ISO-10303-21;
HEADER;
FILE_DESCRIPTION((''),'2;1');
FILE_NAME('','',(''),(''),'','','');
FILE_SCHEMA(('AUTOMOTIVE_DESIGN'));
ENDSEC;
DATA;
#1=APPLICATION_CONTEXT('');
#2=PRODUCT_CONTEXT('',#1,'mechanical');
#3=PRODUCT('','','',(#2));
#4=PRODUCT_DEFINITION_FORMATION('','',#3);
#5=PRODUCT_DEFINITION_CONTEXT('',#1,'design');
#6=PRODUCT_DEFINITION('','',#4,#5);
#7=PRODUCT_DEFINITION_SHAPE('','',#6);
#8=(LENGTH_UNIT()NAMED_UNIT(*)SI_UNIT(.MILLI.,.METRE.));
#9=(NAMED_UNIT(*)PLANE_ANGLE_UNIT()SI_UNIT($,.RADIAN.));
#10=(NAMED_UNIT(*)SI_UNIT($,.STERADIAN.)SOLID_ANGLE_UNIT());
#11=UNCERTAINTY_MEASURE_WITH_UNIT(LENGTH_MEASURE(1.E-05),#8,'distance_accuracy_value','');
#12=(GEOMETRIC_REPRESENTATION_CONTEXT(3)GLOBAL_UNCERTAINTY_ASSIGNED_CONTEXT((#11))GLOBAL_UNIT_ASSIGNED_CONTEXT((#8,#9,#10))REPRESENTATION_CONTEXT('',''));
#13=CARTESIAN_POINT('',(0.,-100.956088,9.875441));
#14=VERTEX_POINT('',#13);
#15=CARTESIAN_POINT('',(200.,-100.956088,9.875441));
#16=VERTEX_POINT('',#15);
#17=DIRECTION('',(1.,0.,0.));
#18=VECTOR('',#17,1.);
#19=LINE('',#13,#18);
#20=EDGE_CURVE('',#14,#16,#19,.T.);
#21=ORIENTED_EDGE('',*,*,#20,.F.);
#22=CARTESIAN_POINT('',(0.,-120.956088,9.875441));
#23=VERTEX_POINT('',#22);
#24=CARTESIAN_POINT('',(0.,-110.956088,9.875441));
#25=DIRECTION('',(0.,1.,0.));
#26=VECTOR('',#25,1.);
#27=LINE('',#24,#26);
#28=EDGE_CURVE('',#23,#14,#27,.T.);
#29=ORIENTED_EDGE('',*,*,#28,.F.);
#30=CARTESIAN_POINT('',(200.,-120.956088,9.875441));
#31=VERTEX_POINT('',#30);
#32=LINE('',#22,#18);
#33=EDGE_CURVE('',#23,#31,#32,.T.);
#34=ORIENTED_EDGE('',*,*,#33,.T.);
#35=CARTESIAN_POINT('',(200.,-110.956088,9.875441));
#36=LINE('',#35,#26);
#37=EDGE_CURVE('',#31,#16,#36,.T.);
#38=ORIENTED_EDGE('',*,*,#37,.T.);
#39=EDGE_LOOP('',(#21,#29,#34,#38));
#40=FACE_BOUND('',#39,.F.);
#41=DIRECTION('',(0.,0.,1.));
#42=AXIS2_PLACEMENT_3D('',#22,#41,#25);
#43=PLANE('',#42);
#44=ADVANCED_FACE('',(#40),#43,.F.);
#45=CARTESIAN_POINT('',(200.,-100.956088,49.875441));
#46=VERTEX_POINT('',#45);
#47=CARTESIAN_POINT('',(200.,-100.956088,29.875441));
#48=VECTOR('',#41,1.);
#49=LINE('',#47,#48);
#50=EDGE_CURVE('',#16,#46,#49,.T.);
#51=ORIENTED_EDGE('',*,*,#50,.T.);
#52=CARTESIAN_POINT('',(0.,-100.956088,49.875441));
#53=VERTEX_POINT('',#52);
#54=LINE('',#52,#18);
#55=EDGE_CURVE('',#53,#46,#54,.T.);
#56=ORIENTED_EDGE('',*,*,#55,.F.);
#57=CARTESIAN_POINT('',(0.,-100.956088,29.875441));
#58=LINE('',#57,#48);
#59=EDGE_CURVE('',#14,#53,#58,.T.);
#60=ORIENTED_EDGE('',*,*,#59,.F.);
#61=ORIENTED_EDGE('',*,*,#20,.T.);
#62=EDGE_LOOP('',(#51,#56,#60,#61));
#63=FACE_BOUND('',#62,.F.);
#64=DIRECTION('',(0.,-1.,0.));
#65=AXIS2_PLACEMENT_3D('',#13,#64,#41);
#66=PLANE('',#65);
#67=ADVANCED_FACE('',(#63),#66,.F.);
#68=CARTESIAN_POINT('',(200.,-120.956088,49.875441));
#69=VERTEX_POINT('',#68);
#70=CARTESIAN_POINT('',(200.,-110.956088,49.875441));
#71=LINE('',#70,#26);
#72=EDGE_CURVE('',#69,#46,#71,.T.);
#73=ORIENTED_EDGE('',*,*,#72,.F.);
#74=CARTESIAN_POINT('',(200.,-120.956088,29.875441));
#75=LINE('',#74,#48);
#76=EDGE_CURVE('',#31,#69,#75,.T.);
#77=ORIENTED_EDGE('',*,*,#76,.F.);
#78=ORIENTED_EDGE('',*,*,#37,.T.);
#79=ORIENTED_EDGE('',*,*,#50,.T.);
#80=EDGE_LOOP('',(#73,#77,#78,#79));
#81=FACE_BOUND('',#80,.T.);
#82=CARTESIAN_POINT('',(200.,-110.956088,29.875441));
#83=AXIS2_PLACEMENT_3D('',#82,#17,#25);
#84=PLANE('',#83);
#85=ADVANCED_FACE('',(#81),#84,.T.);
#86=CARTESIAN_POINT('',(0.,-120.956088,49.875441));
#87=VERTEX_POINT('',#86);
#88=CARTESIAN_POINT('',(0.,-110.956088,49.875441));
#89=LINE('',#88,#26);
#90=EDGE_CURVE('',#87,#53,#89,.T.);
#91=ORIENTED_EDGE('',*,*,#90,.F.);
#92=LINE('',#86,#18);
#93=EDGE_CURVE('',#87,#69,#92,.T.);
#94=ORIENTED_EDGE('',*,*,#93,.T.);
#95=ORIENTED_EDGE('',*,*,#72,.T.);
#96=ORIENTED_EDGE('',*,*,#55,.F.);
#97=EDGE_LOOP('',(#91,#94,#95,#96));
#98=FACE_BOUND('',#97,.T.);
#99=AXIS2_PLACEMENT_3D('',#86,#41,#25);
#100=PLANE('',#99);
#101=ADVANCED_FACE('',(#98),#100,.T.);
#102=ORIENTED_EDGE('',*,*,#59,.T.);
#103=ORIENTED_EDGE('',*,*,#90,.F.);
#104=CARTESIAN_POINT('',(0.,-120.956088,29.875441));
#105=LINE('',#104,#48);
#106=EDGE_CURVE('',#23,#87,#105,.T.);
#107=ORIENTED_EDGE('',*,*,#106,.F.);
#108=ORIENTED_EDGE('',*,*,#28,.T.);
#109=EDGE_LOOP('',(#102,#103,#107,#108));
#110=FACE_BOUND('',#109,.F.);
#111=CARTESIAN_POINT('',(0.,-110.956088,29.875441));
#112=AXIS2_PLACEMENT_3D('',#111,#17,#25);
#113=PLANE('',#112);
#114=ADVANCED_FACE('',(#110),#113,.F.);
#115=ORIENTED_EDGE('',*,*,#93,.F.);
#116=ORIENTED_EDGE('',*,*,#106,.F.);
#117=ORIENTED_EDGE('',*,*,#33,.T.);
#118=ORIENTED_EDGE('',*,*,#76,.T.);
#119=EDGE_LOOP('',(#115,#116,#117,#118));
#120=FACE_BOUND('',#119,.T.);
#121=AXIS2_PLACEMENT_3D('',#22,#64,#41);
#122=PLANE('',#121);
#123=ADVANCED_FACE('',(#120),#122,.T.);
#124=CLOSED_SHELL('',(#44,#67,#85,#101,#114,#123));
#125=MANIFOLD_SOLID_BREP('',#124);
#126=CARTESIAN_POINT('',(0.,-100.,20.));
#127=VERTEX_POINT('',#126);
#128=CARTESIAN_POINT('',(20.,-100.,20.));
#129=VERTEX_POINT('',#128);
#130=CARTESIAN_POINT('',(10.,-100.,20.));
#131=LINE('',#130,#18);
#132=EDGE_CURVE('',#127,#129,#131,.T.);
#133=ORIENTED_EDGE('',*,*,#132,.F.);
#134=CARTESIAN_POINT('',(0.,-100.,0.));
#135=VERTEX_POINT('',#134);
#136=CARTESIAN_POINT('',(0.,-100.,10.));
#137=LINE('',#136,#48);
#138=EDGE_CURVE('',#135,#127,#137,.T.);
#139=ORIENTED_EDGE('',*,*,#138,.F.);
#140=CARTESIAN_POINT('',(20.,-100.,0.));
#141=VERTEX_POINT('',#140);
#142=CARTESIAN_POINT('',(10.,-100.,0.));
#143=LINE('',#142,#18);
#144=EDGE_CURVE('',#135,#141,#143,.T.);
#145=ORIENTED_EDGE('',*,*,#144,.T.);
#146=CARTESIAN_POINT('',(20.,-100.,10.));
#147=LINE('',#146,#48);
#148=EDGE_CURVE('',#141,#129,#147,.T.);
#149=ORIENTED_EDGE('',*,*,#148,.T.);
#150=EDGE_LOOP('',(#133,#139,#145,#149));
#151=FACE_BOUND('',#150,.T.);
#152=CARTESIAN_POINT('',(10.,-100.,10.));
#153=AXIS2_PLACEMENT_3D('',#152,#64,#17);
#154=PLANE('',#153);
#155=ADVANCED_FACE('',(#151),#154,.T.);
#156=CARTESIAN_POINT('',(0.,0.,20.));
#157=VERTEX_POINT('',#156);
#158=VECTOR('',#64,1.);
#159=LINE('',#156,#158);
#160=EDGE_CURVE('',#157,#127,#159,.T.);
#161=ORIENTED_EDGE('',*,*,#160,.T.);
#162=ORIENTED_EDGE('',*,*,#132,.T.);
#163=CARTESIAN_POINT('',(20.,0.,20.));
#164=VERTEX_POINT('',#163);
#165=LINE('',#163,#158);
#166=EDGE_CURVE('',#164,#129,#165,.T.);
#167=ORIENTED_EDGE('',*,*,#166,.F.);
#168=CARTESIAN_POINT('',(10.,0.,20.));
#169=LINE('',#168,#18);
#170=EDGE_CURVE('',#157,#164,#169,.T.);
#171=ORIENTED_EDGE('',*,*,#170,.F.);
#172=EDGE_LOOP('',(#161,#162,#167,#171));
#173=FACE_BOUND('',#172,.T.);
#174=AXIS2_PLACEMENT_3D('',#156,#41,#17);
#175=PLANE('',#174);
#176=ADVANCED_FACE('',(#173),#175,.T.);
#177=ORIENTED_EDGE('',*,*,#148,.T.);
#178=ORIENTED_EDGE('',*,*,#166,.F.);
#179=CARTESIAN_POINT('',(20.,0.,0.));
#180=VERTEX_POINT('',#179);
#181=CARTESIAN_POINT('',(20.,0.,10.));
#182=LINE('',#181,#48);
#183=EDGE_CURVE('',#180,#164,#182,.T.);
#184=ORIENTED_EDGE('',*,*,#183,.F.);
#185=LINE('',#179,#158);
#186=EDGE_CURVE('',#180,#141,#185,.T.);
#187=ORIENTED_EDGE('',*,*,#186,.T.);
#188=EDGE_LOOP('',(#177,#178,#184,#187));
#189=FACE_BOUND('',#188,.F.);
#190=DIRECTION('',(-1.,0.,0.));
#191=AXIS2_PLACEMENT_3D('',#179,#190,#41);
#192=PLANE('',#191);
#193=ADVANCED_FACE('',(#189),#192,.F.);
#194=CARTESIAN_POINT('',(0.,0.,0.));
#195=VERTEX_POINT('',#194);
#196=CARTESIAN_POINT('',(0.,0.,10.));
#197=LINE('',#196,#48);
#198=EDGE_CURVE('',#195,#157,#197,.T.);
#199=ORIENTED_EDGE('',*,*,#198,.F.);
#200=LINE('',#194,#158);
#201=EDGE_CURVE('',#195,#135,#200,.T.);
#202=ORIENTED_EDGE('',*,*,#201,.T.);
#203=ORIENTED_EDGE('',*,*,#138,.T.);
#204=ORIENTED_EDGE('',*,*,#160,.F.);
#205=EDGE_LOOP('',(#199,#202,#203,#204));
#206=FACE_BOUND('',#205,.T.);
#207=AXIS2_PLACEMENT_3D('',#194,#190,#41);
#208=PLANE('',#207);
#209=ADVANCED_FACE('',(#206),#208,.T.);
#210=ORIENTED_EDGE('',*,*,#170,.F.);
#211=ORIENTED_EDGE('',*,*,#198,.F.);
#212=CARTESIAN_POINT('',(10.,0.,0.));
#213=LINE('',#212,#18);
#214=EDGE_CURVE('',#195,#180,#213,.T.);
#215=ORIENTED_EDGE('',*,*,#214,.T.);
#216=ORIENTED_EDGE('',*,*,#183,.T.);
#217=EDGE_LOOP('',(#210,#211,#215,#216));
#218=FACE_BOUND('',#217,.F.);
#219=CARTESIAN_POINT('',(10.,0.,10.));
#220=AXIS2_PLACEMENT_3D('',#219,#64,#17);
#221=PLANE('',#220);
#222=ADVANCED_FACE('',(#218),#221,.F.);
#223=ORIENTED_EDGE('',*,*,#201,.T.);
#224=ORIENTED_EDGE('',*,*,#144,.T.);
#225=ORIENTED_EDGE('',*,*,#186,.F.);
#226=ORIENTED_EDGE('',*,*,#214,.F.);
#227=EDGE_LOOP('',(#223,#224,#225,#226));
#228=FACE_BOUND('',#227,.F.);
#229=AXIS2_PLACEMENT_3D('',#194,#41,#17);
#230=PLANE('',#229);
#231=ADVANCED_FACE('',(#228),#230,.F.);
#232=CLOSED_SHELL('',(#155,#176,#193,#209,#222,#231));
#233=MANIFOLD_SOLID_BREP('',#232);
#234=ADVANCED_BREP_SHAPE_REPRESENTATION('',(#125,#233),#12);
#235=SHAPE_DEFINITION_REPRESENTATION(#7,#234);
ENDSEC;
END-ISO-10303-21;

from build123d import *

# Parameters (mm, degrees)
F0_W     = 20
F0_H     = 20
F1_DEPTH = 100
F2_W     = 20
F2_H     = 40
F3_DEPTH = 200


with BuildPart() as f1:
    # F0 (on Front) → F1 (new body)
    with BuildSketch(Plane.XZ):
        with Locations((10, 10)):
            Rectangle(F0_W, F0_H)
    extrude(amount=F1_DEPTH)


with BuildPart() as f3:
    # F2 (on Right) → F3 (new body)
    with BuildSketch(Plane.YZ):
        with Locations((-110.956088, 29.875441)):
            Rectangle(F2_W, F2_H)
    extrude(amount=F3_DEPTH)


solid = Compound([f1.part, f3.part])
